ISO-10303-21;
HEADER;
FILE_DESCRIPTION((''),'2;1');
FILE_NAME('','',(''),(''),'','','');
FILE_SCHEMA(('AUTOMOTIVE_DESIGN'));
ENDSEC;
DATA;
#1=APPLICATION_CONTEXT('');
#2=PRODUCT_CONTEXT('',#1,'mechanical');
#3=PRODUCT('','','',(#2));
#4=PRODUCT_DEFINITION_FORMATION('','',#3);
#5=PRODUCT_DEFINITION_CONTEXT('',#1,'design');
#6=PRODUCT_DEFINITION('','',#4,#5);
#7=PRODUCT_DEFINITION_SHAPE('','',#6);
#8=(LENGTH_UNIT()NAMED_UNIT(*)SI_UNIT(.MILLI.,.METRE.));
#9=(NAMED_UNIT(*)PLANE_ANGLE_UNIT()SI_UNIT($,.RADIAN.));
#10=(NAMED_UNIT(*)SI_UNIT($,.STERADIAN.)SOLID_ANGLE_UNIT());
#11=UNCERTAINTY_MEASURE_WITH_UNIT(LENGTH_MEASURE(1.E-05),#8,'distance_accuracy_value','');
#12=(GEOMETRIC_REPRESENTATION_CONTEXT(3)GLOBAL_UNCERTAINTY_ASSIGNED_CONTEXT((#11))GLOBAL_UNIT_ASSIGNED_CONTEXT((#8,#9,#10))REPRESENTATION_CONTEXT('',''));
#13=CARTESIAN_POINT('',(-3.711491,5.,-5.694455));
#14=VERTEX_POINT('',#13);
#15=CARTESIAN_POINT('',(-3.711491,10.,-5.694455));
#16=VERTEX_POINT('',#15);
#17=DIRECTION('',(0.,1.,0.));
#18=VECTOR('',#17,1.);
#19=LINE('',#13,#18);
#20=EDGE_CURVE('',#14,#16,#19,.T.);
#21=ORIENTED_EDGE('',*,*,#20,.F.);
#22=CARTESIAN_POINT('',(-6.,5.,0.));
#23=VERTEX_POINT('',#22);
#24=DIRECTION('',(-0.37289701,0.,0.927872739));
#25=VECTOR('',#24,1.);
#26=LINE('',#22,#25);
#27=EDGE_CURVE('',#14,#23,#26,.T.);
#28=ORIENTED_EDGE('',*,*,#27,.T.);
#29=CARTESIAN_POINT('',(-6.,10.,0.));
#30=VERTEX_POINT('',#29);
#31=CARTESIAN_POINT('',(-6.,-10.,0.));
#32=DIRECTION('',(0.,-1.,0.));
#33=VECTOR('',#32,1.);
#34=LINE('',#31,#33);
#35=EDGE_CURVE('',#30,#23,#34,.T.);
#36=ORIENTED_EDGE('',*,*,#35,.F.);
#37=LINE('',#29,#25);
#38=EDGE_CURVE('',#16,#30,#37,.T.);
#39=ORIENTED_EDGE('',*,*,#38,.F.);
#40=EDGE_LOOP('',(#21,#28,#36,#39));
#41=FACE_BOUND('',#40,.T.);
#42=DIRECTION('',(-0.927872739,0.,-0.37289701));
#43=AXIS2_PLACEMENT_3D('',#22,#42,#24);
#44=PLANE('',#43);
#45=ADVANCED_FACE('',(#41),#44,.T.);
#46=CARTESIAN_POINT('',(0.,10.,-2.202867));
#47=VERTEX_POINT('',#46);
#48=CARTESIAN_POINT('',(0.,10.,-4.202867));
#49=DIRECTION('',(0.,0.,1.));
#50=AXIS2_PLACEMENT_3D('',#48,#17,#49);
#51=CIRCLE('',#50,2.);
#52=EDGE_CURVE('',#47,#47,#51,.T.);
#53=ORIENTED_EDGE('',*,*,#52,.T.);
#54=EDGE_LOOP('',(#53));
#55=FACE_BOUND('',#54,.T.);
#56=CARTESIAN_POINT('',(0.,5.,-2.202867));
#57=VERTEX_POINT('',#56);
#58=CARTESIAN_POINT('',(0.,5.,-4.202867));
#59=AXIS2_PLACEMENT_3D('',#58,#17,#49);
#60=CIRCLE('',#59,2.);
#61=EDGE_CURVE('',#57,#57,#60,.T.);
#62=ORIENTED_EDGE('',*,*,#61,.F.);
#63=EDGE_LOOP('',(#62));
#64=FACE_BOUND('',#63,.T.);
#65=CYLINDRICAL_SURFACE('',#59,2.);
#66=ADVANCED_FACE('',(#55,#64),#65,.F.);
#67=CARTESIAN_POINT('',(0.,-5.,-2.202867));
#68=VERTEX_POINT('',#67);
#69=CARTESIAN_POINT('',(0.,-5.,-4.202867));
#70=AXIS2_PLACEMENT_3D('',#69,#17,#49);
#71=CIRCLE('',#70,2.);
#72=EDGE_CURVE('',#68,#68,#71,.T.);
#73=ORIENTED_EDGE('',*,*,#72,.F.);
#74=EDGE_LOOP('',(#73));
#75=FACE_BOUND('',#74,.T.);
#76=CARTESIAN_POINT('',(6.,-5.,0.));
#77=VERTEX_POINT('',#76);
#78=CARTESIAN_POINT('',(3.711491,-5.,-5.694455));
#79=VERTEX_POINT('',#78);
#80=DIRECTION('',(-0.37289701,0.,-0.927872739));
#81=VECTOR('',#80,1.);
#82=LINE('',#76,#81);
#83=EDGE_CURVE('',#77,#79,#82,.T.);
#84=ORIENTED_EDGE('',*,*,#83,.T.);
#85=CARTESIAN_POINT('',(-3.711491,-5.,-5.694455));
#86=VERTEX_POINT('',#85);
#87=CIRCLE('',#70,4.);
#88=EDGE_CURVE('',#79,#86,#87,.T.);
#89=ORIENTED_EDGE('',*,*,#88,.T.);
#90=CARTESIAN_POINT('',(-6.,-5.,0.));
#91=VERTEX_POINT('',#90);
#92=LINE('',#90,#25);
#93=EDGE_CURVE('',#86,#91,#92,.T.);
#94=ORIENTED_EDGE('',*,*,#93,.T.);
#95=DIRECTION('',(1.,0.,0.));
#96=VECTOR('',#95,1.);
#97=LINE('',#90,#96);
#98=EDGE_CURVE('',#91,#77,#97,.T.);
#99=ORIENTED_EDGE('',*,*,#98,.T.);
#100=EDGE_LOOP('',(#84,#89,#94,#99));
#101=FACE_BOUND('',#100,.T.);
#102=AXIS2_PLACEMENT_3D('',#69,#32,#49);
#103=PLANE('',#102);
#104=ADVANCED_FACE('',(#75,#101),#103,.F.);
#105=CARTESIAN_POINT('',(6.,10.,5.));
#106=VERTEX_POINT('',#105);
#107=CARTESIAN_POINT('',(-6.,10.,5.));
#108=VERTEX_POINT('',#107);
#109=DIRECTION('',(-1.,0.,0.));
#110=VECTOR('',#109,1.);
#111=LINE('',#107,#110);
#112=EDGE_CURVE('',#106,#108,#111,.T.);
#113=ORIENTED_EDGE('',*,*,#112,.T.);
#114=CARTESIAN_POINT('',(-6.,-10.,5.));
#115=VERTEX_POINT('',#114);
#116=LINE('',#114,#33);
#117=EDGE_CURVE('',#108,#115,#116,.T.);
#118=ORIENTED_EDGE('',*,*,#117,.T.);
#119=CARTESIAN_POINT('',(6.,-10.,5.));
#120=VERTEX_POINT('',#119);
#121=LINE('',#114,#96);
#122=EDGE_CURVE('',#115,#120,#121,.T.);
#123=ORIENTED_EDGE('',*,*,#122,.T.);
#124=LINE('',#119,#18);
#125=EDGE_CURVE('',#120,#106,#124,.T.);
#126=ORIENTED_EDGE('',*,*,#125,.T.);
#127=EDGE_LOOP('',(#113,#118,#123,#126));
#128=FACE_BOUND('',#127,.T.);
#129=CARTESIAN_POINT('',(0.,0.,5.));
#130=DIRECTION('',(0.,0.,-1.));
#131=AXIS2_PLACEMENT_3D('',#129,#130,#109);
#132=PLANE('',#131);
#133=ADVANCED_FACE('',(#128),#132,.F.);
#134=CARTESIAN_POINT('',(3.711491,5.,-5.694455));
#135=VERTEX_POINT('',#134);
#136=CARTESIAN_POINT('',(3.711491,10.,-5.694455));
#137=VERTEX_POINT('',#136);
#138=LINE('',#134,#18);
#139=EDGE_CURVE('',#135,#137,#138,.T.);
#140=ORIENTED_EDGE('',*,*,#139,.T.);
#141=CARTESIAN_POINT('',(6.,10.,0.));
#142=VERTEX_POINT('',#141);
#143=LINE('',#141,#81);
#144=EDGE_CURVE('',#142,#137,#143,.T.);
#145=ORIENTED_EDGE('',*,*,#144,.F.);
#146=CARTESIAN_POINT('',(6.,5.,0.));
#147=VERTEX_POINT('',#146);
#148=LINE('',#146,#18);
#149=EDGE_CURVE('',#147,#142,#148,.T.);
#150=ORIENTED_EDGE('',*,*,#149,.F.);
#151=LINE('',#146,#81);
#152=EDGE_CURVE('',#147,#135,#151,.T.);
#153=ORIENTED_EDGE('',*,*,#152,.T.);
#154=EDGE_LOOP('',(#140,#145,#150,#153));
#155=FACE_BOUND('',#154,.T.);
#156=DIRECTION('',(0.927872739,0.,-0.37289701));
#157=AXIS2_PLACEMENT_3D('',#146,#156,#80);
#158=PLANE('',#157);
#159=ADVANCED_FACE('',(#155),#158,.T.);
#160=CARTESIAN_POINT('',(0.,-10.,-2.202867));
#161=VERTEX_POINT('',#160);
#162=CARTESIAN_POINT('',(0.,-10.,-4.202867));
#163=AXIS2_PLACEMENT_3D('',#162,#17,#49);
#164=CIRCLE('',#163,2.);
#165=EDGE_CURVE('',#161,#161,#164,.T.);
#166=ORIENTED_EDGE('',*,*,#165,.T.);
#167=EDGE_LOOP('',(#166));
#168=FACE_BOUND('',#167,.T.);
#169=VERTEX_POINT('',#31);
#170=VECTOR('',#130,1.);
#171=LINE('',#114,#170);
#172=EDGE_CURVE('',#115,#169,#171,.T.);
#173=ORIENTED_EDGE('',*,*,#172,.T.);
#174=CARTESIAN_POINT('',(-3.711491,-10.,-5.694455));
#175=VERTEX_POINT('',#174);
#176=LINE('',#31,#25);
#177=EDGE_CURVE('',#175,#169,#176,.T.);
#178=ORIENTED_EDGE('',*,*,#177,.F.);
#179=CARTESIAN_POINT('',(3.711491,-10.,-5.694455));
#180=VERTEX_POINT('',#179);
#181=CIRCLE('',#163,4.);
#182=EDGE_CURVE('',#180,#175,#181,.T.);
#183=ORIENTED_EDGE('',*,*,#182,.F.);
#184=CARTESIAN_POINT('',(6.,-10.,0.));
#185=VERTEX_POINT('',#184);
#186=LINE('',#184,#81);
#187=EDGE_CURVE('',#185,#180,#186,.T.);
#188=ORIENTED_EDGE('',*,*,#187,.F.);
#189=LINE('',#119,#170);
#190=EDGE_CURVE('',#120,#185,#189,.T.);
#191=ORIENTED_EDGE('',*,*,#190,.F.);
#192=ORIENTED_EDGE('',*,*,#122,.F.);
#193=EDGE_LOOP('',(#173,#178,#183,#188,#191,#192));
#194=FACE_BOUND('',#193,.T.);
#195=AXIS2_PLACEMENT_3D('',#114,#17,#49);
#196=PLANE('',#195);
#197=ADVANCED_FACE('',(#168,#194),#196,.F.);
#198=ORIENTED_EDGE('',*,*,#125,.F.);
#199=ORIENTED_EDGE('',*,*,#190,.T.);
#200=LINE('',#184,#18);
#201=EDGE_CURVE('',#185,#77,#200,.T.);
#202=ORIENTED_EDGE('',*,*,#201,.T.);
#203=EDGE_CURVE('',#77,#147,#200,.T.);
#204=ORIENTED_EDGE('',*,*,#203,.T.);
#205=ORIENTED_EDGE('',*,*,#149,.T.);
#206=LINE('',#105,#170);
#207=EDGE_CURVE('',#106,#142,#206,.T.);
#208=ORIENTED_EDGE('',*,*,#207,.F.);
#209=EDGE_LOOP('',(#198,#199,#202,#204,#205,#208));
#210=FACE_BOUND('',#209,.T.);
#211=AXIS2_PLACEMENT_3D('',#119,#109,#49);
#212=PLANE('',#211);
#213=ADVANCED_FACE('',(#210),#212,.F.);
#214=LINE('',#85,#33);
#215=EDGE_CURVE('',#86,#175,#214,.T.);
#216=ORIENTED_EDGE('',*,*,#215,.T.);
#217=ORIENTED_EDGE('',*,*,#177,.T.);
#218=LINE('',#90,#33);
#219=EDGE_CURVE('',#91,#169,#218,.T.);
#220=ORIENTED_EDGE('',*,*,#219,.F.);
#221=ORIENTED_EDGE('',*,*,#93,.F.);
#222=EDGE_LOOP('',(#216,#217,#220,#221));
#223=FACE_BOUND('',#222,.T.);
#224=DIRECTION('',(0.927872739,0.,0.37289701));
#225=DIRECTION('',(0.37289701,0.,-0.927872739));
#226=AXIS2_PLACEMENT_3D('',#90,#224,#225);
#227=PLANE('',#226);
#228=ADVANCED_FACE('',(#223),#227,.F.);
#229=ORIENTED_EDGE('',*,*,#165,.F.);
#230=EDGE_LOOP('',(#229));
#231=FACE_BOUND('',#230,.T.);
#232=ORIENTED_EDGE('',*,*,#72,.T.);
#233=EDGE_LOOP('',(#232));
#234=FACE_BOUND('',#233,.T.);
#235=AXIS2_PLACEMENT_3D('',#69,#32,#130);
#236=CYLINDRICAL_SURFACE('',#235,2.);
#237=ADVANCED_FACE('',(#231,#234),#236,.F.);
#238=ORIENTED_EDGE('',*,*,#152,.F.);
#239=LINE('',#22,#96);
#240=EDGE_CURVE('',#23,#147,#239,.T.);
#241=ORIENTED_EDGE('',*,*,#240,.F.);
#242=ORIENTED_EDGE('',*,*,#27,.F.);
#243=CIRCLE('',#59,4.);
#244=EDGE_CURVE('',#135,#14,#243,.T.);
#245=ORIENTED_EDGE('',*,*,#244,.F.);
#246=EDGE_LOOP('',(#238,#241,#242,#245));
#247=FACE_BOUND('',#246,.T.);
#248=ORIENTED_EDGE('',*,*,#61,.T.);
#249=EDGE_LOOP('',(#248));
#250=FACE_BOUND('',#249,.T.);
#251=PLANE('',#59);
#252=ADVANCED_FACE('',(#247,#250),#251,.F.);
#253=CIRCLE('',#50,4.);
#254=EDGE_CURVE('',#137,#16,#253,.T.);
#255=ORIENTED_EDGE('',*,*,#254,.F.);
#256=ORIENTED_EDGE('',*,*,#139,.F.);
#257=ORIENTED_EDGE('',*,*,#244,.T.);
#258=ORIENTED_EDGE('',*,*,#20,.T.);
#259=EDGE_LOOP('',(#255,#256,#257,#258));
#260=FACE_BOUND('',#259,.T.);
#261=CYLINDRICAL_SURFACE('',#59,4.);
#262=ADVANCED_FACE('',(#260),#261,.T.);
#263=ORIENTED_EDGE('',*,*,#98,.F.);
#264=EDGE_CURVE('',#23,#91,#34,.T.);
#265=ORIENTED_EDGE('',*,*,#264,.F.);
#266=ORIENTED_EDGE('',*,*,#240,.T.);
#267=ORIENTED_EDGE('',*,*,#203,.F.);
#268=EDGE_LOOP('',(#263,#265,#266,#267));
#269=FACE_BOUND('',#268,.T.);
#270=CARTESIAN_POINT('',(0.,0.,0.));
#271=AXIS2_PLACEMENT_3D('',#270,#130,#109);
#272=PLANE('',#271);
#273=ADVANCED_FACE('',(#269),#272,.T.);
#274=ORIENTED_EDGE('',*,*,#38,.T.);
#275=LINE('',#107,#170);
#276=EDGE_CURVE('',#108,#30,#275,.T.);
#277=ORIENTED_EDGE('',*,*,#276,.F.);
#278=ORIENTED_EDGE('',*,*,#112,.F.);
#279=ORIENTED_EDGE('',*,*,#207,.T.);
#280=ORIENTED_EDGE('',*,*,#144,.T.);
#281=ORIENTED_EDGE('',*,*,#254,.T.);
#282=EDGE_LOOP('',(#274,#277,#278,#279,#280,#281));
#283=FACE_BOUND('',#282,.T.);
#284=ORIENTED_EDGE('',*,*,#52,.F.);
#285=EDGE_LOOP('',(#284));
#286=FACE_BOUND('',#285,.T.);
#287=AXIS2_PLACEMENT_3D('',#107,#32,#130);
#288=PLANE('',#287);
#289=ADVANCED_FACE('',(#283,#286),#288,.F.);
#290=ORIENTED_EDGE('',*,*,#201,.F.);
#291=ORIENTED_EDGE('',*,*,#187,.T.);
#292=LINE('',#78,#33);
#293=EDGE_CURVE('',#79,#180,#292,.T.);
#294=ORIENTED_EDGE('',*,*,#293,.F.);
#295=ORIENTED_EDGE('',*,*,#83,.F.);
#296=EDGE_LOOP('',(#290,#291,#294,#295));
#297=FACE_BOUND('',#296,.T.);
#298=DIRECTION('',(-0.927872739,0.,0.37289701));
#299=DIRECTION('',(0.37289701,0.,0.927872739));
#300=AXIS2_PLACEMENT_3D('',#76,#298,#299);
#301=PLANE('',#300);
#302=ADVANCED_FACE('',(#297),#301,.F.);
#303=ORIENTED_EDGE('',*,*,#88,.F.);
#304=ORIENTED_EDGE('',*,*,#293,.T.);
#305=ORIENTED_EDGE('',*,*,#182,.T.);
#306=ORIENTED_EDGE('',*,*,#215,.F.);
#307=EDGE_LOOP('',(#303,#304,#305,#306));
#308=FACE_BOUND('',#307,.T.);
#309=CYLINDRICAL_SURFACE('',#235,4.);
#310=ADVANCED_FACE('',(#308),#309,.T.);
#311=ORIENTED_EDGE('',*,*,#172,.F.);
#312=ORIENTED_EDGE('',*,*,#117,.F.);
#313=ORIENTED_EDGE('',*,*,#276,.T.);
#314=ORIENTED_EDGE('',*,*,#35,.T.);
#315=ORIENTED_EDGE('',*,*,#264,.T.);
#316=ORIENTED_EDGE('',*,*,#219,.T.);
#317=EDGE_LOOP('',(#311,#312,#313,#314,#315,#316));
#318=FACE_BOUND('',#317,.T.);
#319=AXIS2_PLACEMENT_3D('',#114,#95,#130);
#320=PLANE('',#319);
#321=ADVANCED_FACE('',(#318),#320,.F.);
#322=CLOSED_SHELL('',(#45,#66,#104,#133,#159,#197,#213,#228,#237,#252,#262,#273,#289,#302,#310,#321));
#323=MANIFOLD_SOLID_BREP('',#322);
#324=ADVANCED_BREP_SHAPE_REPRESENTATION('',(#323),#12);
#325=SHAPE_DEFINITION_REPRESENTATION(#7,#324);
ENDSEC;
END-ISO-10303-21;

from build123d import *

# Parameters (mm, degrees)
SKETCH1_W           = 12
SKETCH1_H           = 20
BOSS_EXTRUDE1_DEPTH = 5
SKETCH2_R           = 2
BOSS_EXTRUDE2_DEPTH = 5


with BuildPart() as part:
    # Sketch1 → Boss-Extrude1 (new body)
    with BuildSketch(Plane.XY):
        Rectangle(SKETCH1_W, SKETCH1_H)
    extrude(amount=BOSS_EXTRUDE1_DEPTH)

    # Sketch2 → Boss-Extrude2 (add)
    with BuildSketch(Plane(origin=(0, 10, 0), x_dir=(1, 0, 0), z_dir=(0, 1, 0))):
        with BuildLine():
            Line((-6, 0), (-3.711490956, 5.694454764))
            ThreePointArc((-3.711490956, 5.694454764), (0, 8.202866725), (3.711490956, 5.694454764))
            Line((3.711490956, 5.694454764), (6, 0))
            Line((6, 0), (-6, 0))
        make_face()
        with Locations(Location((0, 4.202866725, 0), (0, 0, 270))):
            Circle(SKETCH2_R, mode=Mode.SUBTRACT)
    boss_extrude2 = extrude(amount=-BOSS_EXTRUDE2_DEPTH)

    # Mirror1: Boss-Extrude2 across plane
    add(boss_extrude2.mirror(Plane.ZX))


solid = part.part
